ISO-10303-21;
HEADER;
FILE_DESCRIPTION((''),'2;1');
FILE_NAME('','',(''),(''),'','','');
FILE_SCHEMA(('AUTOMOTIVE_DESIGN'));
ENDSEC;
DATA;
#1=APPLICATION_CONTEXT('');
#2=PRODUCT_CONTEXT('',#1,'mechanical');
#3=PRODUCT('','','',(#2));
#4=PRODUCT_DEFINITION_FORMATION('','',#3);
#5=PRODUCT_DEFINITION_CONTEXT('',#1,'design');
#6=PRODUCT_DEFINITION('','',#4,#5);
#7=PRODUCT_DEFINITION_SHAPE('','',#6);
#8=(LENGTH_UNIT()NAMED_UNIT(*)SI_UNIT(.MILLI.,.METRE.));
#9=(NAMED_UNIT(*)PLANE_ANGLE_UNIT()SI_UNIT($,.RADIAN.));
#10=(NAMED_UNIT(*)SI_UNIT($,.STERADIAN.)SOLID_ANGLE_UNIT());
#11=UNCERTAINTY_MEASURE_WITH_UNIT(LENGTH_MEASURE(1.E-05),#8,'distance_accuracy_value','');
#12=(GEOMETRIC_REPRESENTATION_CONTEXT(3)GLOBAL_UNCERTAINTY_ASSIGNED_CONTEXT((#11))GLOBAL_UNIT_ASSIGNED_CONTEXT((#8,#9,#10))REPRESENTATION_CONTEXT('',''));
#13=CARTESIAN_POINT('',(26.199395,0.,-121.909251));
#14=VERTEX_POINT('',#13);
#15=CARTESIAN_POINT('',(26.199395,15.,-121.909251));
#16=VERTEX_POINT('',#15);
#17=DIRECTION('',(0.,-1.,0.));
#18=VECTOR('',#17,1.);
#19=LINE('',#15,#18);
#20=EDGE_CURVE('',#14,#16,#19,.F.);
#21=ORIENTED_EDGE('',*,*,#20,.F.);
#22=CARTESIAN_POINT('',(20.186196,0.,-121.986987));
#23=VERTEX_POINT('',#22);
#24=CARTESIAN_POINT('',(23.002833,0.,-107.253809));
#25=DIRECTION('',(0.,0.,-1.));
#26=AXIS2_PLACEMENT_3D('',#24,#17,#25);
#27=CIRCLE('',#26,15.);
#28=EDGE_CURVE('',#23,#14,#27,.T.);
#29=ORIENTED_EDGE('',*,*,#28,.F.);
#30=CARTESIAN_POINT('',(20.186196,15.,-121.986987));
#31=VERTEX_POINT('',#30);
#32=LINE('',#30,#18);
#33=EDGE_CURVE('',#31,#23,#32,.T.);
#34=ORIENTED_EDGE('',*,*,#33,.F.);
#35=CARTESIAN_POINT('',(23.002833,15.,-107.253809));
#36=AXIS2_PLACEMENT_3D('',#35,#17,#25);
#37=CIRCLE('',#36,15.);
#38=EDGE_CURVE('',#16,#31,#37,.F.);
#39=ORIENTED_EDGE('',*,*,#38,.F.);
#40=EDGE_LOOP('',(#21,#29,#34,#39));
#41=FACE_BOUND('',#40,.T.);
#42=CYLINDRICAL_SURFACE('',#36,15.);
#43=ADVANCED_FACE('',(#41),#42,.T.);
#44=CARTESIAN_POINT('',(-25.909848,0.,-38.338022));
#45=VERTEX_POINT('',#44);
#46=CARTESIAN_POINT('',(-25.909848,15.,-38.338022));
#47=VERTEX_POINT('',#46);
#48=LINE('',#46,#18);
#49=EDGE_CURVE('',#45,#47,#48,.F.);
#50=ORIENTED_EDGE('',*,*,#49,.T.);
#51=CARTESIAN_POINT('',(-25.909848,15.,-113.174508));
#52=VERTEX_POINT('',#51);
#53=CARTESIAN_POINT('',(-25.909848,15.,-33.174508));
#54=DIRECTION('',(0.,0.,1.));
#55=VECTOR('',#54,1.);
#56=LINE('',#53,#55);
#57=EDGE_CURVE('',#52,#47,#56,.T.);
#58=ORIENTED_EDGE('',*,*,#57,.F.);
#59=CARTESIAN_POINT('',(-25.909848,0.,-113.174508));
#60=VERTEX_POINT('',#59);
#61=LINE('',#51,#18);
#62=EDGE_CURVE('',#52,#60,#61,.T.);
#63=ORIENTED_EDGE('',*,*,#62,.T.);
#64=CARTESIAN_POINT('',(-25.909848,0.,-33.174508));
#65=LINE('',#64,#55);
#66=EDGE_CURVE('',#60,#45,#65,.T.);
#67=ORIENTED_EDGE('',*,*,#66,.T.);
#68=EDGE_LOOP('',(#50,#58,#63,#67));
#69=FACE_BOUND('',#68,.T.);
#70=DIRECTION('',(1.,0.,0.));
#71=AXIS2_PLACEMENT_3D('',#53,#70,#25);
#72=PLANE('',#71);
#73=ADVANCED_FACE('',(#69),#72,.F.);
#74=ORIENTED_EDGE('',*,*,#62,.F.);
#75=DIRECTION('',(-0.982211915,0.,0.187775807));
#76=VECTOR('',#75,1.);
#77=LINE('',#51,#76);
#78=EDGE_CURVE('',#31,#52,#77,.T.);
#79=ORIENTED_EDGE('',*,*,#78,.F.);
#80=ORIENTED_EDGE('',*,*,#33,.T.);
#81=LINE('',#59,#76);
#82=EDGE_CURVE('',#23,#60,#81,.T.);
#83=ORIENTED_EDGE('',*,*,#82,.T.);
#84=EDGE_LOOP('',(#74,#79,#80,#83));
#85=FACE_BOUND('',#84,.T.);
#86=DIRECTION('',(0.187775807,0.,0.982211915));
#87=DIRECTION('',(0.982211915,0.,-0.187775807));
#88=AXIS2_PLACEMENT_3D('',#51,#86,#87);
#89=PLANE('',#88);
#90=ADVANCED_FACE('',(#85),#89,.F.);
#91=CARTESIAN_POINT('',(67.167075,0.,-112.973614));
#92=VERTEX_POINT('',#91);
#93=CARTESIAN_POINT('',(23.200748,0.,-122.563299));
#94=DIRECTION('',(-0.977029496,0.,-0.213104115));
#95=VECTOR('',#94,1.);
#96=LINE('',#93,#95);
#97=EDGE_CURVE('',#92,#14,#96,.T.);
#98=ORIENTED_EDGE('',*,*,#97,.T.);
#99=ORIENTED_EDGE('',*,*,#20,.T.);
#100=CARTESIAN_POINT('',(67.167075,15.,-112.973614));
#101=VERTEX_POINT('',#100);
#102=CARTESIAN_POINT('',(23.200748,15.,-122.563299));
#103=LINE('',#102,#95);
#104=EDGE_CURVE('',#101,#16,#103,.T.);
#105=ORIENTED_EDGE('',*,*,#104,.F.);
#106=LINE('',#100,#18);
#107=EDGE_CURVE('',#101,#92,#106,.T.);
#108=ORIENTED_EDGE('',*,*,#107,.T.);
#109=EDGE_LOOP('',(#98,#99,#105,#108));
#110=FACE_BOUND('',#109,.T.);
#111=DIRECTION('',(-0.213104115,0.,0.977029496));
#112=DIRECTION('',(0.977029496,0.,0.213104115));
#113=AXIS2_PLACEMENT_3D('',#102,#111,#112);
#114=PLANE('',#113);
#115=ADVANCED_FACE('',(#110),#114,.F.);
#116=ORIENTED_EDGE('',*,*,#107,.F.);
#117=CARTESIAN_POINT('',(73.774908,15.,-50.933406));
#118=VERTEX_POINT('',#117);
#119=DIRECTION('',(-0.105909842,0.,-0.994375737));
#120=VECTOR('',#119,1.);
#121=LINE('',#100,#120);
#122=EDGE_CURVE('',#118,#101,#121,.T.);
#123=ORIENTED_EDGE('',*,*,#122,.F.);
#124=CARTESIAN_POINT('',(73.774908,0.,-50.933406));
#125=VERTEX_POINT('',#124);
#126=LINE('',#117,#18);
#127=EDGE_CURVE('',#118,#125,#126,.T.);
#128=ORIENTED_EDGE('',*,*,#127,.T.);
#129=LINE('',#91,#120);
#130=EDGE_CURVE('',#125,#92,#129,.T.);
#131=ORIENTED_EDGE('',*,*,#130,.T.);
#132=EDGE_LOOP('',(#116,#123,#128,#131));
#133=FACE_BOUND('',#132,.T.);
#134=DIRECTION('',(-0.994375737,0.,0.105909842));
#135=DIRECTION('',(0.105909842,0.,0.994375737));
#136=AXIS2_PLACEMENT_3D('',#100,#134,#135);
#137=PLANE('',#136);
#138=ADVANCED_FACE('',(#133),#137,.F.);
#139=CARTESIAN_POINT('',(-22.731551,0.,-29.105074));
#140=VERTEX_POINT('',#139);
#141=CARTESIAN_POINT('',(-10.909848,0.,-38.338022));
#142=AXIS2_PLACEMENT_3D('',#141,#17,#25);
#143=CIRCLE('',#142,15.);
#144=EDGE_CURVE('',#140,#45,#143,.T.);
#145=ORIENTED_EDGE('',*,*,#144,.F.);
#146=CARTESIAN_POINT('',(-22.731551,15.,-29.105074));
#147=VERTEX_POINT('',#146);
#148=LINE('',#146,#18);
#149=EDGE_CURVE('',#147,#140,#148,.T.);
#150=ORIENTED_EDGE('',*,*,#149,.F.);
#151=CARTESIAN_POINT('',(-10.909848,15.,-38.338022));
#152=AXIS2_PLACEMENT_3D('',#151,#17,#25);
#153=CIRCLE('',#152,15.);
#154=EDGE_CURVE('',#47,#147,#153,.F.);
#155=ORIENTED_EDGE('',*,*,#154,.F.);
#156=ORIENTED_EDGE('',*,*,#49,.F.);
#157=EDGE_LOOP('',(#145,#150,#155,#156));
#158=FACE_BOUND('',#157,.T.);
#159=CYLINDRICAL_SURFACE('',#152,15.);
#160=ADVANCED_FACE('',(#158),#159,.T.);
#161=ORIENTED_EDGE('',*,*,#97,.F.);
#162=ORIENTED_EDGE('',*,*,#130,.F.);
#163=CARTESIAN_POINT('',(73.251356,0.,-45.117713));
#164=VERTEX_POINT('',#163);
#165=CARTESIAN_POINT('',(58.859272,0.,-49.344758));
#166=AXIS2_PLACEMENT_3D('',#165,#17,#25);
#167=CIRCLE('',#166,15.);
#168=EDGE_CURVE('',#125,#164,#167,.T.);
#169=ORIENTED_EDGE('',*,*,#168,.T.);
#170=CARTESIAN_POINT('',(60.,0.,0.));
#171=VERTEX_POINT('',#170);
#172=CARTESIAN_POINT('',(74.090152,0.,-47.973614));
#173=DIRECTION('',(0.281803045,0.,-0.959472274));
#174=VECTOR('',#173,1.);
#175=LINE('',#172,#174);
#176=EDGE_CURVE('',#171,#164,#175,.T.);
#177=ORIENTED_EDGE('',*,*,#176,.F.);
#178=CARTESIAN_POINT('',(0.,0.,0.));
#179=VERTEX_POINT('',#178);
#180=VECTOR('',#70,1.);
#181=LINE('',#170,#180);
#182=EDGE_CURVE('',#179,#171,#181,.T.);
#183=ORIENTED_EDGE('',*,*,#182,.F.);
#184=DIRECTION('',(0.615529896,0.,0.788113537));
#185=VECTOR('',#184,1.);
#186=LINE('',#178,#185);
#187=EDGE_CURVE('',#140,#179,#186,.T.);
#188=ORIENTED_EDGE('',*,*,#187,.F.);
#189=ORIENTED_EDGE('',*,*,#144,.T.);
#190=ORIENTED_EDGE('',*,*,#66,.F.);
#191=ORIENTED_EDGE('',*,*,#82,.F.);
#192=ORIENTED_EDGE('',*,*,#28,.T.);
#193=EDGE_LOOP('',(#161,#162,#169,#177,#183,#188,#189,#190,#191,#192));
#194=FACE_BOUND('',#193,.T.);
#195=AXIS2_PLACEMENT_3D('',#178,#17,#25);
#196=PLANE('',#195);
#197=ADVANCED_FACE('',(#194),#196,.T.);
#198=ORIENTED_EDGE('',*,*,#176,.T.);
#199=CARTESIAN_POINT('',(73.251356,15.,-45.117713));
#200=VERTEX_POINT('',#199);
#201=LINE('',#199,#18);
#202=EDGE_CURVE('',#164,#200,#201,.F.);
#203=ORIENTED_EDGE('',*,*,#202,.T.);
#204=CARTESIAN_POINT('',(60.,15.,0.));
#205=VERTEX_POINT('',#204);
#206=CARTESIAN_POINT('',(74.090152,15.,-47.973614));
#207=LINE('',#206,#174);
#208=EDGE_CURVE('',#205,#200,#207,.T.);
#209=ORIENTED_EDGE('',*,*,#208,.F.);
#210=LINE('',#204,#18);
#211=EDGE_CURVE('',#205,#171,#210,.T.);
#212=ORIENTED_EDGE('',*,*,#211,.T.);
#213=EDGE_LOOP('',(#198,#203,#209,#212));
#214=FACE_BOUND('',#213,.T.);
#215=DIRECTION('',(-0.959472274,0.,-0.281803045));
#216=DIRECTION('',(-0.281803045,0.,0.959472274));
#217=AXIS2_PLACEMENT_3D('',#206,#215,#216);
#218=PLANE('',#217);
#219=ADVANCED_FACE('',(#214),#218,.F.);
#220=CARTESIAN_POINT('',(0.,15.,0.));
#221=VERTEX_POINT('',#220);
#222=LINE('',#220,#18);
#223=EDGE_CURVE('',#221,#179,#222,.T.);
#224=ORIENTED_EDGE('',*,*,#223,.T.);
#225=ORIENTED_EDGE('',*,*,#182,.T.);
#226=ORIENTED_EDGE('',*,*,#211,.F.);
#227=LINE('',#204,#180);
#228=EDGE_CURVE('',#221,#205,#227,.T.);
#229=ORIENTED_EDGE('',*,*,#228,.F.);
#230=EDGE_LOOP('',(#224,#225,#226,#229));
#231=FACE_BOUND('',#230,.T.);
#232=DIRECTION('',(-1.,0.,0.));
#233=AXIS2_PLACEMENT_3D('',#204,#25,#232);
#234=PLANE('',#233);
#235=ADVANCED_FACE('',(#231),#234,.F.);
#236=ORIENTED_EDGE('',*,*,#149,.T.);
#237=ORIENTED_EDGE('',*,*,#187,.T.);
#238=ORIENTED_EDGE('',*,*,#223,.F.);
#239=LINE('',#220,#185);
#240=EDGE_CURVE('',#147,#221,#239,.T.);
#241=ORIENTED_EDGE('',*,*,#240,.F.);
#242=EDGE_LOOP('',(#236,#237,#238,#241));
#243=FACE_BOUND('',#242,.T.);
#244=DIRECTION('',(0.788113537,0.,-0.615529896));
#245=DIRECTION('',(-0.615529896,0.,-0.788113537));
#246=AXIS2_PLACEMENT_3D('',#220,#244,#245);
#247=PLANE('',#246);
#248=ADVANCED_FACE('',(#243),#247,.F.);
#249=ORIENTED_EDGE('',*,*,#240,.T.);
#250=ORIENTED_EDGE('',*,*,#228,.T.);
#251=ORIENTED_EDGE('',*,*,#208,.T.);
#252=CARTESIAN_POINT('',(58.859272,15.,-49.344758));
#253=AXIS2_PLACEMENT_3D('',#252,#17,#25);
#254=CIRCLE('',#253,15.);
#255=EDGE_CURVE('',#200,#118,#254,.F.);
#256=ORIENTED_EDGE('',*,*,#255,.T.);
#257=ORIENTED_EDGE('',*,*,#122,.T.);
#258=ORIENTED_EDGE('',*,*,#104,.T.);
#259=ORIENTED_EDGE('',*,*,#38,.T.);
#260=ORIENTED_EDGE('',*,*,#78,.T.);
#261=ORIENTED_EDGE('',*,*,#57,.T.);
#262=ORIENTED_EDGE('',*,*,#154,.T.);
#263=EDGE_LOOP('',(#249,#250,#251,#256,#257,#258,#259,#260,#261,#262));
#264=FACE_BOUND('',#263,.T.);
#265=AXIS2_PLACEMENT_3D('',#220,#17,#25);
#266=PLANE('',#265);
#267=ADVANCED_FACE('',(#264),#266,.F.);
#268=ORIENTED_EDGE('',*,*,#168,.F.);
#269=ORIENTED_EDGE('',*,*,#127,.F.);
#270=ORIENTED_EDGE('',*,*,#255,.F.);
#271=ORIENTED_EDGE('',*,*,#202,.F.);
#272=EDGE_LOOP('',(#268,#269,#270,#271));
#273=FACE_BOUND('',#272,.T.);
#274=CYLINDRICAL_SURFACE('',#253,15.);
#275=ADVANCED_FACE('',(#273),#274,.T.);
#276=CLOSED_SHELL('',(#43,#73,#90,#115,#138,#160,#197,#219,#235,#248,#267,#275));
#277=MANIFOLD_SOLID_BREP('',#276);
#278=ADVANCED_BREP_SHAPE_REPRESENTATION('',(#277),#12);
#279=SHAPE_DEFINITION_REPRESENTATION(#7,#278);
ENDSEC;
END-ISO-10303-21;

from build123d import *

# Parameters (mm, degrees)
EXTRUDE_1_DEPTH = 15
FILLET_1_R      = 15
FILLET_2_R      = 15
FILLET_3_R      = 15


with BuildPart() as part:
    # Эскиз1 → Бобышка-Вытянуть1 (new body)
    with BuildSketch(Plane(origin=(0, 0, 0), x_dir=(1, 0, 0), z_dir=(0, 1, 0))):
        Polygon((0, 0), (-25.909847732, 33.174508492), (-25.909847732, 113.174508492), (23.200748024, 122.563298857), (67.167075345, 112.973613675), (74.090152268, 47.973613675), (60, 0), align=None)
    extrude(amount=EXTRUDE_1_DEPTH)

    # Скругление1
    fillet_1_edges = [part.edges().sort_by_distance(p)[0] for p in [
        (-25.909847732, 7.5, -33.174508492),
    ]]
    fillet(fillet_1_edges, radius=FILLET_1_R)

    # Скругление2
    fillet_2_edges = [part.edges().sort_by_distance(p)[0] for p in [
        (74.090152268, 7.5, -47.973613675),
    ]]
    fillet(fillet_2_edges, radius=FILLET_2_R)

    # Скругление3
    fillet_3_edges = [part.edges().sort_by_distance(p)[0] for p in [
        (23.200748024, 7.5, -122.563298857),
    ]]
    fillet(fillet_3_edges, radius=FILLET_3_R)


solid = part.part
